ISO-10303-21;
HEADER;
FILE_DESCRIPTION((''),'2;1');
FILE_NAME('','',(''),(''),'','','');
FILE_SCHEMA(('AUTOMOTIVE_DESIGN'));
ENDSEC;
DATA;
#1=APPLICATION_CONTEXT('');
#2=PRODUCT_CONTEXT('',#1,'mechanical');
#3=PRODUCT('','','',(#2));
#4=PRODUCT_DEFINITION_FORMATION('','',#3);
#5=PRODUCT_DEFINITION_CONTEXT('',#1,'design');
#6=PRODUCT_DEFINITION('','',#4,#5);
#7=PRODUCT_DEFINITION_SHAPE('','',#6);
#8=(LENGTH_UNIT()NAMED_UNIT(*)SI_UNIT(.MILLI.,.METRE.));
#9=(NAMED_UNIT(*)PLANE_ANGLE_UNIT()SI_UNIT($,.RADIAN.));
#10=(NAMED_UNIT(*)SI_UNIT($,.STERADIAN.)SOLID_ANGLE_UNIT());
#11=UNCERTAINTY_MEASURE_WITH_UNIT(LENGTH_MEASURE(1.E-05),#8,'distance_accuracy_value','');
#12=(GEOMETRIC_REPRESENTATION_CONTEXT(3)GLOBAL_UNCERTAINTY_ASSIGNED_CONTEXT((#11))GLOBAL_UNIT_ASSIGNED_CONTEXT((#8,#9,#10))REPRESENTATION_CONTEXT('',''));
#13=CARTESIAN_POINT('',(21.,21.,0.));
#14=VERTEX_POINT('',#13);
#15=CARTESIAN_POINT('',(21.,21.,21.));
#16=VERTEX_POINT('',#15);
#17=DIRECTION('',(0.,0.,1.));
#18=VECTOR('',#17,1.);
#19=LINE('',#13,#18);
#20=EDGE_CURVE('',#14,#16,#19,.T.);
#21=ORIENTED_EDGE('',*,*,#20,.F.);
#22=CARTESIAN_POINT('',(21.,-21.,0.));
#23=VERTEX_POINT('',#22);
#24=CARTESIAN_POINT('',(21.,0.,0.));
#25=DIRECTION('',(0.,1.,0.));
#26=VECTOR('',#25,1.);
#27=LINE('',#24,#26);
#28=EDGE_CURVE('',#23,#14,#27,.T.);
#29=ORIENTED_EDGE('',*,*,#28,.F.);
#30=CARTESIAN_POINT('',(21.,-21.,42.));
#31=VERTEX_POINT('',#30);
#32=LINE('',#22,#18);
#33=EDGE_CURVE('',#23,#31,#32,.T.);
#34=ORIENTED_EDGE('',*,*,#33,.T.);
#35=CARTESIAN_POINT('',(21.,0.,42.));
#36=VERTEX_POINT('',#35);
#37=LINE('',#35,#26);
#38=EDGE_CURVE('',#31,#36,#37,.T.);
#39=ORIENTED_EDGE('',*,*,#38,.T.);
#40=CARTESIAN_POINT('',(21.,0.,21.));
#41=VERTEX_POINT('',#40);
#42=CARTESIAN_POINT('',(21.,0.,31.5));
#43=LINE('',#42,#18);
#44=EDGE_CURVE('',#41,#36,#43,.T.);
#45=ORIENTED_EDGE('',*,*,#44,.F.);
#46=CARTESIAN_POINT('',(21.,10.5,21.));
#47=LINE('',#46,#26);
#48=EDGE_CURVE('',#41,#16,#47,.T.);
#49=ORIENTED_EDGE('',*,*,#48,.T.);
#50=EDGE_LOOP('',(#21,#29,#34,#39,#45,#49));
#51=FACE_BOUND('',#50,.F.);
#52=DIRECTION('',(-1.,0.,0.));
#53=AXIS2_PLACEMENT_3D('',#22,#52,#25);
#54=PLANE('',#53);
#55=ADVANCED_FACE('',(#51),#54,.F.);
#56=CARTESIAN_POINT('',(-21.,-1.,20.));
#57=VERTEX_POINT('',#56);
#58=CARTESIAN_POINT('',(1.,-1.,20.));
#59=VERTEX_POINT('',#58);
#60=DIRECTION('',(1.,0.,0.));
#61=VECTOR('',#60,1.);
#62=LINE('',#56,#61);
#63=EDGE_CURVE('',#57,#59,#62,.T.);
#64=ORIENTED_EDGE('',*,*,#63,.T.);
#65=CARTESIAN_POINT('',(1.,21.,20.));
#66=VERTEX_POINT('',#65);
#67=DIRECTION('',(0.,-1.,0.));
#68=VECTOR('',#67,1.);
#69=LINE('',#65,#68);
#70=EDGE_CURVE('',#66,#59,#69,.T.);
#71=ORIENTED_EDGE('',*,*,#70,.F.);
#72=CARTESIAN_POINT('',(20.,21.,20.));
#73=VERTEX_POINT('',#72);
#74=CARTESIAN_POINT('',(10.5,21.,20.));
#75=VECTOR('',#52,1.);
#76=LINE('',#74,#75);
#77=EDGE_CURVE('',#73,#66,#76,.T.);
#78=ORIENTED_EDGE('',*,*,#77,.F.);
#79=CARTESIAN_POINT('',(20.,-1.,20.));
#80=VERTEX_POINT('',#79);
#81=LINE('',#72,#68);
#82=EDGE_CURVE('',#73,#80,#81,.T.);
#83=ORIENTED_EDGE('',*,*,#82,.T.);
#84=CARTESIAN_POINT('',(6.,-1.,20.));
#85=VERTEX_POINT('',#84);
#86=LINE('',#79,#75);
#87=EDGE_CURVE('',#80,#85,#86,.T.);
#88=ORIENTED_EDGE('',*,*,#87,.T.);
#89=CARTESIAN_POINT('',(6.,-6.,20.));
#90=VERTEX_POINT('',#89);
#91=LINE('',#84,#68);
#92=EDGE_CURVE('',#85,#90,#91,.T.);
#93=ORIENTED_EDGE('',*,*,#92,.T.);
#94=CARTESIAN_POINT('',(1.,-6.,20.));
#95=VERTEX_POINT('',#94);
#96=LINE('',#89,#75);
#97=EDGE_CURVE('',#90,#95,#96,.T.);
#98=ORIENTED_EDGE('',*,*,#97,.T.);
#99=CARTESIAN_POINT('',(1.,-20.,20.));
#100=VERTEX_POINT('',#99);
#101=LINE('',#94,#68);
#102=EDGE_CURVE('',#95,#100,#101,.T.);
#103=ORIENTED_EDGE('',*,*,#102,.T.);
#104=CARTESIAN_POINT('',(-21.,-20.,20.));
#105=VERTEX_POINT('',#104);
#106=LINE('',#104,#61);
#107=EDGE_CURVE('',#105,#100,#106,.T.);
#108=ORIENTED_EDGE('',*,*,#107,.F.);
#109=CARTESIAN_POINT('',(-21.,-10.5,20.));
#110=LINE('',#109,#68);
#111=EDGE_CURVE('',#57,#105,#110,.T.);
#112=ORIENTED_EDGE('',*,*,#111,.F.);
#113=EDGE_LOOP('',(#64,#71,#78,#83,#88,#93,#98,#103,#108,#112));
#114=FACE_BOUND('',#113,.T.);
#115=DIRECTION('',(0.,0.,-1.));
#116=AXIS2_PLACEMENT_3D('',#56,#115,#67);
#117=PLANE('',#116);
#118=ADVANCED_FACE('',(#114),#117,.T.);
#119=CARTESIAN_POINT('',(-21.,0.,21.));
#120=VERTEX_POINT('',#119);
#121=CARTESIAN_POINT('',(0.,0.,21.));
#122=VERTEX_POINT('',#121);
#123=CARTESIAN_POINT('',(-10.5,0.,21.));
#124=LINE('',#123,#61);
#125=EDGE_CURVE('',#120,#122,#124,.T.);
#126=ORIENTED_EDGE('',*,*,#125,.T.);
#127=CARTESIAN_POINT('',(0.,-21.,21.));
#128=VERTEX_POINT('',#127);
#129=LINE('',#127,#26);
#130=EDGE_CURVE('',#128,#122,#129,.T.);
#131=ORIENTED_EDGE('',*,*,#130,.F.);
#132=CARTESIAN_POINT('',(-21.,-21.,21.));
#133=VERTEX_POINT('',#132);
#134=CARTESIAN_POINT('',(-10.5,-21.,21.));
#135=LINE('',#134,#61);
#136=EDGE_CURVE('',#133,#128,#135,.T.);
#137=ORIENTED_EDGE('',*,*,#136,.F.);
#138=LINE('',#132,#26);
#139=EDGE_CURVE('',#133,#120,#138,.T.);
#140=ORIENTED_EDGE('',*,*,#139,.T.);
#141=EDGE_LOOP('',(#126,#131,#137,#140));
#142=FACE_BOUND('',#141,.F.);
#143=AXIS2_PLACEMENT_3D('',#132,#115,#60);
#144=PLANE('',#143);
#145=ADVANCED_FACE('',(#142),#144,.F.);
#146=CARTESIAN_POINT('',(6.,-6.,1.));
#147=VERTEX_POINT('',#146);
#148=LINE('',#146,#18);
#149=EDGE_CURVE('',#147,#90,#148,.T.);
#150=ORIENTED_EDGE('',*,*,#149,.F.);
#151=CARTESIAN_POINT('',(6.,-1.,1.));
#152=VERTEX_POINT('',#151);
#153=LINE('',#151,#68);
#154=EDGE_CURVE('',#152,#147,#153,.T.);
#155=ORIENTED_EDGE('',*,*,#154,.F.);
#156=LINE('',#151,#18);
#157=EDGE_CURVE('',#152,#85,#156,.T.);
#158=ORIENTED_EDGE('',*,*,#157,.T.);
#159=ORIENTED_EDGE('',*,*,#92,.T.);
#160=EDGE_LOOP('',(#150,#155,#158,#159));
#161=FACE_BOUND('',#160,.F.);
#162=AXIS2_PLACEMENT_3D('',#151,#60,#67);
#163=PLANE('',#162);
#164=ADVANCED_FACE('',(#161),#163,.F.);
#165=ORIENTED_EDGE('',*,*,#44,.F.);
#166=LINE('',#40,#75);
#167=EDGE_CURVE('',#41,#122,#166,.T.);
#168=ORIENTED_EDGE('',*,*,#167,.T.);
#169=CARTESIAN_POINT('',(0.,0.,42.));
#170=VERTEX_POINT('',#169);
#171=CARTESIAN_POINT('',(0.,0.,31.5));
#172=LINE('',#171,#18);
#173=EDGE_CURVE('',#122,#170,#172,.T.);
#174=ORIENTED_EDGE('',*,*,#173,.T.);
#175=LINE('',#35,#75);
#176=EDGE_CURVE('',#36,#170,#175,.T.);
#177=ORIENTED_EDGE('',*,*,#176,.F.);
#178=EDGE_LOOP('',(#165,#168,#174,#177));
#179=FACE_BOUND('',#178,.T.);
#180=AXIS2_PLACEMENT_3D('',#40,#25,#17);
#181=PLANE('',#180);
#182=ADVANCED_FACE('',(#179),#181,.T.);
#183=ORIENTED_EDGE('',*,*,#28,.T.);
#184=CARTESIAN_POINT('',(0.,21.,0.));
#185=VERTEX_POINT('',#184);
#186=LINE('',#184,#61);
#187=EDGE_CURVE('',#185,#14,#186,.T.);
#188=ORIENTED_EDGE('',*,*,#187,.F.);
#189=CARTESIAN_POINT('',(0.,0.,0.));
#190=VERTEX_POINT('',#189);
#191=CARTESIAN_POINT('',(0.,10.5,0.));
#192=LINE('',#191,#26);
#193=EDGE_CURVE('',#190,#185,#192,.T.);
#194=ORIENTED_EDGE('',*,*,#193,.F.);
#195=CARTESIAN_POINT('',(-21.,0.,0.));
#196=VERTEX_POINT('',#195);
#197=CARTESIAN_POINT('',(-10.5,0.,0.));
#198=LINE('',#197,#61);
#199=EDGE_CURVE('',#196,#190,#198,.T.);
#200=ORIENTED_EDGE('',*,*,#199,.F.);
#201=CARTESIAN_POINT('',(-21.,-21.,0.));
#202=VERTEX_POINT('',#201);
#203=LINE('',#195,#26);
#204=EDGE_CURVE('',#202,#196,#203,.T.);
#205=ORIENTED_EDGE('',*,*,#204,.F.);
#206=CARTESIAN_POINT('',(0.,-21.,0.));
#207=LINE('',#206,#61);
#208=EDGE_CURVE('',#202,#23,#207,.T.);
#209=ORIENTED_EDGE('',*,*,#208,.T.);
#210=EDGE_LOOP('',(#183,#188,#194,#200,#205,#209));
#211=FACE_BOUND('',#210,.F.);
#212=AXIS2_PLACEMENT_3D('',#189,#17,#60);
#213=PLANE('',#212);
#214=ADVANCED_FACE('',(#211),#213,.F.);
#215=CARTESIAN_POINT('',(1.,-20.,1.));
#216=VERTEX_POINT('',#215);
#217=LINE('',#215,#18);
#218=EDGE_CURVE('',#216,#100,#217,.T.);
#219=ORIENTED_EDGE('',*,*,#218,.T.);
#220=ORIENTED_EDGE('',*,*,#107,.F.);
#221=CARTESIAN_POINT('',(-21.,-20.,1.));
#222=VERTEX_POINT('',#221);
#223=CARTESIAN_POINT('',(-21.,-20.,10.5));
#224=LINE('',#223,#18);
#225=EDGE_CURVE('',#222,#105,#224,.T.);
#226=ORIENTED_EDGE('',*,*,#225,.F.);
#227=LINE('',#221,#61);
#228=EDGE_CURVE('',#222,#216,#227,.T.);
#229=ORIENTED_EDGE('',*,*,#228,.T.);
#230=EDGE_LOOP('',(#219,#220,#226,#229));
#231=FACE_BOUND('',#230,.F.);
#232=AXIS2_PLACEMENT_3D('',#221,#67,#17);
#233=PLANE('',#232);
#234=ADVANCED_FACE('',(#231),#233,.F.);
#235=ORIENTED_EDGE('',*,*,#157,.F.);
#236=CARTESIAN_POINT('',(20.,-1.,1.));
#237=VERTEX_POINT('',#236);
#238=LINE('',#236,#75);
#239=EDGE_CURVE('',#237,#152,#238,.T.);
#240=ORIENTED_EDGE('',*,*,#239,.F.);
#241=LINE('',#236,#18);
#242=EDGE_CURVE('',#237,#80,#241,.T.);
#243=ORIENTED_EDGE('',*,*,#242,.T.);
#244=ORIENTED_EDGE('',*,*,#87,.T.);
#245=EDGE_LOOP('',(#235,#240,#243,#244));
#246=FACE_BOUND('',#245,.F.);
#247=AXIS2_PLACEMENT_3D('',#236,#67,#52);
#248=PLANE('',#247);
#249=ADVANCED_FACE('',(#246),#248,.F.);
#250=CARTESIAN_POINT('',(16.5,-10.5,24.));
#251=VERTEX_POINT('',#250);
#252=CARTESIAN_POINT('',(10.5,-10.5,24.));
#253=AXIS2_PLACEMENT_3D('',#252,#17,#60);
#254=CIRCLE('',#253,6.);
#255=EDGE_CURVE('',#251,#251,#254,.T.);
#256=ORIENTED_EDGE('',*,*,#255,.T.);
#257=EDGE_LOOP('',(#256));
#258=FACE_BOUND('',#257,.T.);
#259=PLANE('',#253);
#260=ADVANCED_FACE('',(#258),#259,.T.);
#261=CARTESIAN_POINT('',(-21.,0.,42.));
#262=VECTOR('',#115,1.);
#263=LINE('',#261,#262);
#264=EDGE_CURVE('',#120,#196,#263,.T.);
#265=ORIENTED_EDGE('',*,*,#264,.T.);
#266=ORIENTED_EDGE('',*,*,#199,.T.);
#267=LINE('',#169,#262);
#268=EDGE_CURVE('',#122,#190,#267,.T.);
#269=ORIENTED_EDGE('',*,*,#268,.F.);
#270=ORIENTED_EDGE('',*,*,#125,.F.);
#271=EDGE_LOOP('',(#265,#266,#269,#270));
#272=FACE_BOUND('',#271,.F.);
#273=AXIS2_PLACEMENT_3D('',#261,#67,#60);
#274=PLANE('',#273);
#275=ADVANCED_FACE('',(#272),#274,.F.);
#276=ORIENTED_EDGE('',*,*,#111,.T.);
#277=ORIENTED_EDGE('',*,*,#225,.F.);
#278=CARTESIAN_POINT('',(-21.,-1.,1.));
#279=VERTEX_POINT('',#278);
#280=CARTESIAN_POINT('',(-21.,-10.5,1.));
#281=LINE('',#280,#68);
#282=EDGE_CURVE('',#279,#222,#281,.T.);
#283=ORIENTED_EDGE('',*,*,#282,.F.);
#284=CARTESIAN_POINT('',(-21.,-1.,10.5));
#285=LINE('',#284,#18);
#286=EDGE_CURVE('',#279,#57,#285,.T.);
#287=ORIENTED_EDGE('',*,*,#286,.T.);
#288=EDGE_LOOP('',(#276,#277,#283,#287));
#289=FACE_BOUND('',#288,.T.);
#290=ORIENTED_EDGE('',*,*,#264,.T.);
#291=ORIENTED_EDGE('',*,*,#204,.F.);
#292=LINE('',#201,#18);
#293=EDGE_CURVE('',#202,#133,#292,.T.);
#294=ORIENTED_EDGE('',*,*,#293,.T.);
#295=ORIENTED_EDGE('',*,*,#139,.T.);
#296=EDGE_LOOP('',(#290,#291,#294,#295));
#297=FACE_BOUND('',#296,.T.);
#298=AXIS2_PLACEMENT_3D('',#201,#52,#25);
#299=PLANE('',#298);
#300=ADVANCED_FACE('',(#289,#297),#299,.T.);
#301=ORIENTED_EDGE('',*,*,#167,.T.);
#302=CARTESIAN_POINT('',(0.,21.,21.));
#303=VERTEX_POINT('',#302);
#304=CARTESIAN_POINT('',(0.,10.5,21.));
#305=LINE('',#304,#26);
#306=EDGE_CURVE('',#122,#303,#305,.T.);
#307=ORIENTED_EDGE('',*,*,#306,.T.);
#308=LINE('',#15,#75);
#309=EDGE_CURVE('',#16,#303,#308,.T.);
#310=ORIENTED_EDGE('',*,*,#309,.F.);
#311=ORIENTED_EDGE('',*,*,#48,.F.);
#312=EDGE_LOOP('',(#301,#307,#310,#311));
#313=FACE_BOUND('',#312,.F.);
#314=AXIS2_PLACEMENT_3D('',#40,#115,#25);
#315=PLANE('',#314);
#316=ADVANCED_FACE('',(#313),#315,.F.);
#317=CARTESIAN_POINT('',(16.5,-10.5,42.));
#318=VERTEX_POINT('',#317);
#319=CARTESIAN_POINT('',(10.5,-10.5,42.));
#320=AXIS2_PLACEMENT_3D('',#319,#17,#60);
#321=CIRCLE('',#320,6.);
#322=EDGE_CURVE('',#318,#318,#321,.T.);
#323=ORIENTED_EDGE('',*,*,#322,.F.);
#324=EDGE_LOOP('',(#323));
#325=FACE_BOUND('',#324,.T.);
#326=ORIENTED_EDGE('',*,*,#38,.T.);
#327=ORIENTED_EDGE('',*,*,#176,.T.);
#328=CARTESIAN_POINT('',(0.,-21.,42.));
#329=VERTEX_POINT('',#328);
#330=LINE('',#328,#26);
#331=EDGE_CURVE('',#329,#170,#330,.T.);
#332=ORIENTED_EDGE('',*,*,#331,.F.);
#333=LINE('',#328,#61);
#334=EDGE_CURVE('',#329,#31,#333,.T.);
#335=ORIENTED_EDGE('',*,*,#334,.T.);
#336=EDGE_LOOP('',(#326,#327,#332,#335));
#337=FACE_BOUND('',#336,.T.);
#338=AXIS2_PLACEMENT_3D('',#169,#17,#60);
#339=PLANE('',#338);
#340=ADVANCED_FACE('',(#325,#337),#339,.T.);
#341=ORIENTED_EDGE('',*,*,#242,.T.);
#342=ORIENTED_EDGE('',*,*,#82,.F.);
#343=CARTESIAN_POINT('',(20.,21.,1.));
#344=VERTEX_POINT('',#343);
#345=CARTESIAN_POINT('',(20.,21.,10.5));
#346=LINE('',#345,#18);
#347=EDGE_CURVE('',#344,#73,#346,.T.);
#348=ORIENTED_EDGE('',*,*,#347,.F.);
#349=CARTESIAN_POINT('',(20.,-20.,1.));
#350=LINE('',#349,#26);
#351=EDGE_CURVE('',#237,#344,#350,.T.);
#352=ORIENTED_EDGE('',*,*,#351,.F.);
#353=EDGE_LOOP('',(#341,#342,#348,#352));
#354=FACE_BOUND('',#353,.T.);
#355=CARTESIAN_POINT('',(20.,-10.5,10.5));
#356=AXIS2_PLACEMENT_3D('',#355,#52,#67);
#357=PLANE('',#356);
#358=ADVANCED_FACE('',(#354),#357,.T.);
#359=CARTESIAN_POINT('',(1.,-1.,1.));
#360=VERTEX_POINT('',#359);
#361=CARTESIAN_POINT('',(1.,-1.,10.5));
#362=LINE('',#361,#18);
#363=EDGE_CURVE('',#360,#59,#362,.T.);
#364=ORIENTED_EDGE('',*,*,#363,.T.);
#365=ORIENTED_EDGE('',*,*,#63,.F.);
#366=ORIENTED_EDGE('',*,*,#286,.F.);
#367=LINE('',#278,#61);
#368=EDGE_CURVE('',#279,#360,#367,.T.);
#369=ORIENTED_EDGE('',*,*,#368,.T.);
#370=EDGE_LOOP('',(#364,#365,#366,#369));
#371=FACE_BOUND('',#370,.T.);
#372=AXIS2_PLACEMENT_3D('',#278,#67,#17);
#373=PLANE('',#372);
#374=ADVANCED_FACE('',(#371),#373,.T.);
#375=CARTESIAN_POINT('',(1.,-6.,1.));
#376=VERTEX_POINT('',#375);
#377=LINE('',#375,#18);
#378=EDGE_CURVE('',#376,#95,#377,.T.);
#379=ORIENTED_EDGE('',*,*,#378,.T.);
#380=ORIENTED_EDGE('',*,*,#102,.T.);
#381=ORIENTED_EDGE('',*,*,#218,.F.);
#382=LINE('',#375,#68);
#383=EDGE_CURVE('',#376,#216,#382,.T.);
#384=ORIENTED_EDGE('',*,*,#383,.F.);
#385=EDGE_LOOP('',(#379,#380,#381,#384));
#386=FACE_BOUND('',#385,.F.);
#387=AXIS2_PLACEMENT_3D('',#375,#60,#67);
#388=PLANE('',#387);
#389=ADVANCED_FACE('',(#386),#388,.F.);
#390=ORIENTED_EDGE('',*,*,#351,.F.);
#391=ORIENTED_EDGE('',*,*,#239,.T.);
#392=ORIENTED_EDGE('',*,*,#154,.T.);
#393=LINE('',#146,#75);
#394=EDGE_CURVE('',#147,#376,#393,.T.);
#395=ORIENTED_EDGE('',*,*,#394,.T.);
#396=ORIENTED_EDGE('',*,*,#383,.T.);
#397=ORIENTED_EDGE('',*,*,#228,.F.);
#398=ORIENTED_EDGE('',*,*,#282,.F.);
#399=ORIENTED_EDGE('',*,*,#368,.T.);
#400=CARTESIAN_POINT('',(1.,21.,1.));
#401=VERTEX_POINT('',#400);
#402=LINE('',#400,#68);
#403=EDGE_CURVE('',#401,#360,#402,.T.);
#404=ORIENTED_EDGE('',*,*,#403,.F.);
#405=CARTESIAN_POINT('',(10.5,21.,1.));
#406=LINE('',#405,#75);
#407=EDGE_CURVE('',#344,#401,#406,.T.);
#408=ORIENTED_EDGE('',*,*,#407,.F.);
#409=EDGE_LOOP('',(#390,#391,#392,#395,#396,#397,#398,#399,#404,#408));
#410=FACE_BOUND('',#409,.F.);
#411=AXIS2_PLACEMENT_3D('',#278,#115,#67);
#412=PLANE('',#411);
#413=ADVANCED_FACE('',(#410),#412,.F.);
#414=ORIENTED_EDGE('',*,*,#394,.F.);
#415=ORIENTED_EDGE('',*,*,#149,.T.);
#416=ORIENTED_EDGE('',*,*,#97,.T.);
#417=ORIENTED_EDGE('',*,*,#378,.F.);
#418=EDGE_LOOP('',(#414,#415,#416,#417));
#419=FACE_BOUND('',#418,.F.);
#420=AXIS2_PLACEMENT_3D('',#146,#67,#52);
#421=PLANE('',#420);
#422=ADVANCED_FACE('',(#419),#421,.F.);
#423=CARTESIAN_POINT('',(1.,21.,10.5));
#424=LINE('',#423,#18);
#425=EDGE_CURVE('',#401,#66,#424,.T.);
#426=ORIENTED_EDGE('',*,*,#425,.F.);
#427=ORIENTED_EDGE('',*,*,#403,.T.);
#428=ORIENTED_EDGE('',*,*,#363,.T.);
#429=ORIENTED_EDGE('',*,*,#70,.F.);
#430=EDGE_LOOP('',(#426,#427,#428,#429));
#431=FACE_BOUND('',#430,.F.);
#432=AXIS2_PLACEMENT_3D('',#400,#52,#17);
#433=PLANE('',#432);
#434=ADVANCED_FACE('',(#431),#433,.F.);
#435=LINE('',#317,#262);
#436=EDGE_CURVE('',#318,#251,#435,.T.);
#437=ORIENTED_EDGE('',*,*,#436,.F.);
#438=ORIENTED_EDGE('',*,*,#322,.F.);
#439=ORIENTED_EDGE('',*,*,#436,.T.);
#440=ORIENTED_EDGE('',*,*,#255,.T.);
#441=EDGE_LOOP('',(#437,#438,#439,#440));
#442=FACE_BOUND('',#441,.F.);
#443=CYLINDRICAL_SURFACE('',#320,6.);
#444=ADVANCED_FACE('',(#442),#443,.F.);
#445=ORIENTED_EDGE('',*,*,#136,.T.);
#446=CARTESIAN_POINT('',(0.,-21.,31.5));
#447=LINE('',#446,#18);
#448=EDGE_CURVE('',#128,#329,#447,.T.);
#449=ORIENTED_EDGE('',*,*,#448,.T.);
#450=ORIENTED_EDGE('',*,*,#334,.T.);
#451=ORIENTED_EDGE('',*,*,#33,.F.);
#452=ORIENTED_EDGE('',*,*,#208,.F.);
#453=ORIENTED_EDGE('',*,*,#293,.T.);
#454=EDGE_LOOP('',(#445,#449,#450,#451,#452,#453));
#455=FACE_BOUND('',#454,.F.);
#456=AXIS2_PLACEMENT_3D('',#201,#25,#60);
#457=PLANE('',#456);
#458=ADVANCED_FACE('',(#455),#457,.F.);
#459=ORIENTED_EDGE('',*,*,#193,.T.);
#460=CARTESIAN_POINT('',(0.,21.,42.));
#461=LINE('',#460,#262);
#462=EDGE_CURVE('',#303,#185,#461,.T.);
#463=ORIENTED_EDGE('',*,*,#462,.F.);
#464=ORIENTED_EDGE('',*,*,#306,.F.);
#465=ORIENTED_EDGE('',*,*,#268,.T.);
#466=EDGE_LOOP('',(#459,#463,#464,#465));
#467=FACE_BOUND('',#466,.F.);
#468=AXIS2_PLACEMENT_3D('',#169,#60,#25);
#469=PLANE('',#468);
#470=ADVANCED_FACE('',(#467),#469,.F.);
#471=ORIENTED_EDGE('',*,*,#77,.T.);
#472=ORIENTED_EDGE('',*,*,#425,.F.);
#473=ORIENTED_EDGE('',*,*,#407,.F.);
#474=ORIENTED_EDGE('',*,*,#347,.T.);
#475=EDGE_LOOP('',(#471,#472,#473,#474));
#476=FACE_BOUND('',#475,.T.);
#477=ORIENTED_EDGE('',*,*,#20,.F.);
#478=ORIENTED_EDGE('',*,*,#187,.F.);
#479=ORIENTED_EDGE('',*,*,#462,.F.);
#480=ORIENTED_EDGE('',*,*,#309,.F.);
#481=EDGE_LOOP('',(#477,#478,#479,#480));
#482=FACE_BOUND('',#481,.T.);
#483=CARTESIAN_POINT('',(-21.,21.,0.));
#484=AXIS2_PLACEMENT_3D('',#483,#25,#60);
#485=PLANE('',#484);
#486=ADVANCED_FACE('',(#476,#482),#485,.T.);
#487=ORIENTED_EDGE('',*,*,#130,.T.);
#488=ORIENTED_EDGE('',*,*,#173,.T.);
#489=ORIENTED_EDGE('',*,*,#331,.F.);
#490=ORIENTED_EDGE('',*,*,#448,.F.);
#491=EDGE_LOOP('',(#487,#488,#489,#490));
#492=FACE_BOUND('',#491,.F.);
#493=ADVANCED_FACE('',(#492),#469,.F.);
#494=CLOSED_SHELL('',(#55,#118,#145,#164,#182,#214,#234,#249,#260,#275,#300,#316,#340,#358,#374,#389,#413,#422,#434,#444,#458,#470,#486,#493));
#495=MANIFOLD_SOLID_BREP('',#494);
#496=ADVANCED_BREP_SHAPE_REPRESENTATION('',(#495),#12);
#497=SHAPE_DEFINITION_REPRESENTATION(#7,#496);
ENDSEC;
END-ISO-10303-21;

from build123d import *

# Parameters (mm, degrees)
F0_W      = 42
F0_H      = 42
F1_DEPTH  = 42
F2_W      = 21
F2_H      = 21
F3_DEPTH  = 42
F4_W      = 21
F4_H      = 21
F5_DEPTH  = 21
F6_W      = 21
F6_H      = 21
F7_DEPTH  = 21
F9_W      = 19
F9_H      = 19
F10_DEPTH = 41
F11_W     = 19
F11_H     = 19
F12_DEPTH = 22
F8_R      = 6
F13_DEPTH = 18
F15_DEPTH = 19


with BuildPart() as f1:
    # F0 (on Top) → F1 (new body)
    with BuildSketch(Plane.XY):
        Rectangle(F0_W, F0_H)
    extrude(amount=F1_DEPTH)

    # F2 (on face) → F3 (cut, through all)
    with BuildSketch(Plane.XY.offset(42)):
        with Locations((-10.5, 10.5)):
            Rectangle(F2_W, F2_H)
    extrude(amount=-F3_DEPTH, mode=Mode.SUBTRACT)

    # F4 (on face) → F5 (cut, through all)
    with BuildSketch(Plane.XZ.offset(21)):
        with Locations((-10.5, 31.5)):
            Rectangle(F4_W, F4_H)
    extrude(amount=-F5_DEPTH, mode=Mode.SUBTRACT)

    # F6 (on face) → F7 (cut, through all)
    with BuildSketch(Plane.YZ.offset(21)):
        with Locations((10.5, 31.5)):
            Rectangle(F6_W, F6_H)
    extrude(amount=-F7_DEPTH, mode=Mode.SUBTRACT)

    # F9 (on face) → F10 (cut)
    with BuildSketch(Plane(origin=(-21, 0, 0), x_dir=(0, -1, 0), z_dir=(-1, 0, 0))):
        with Locations((10.5, 10.5)):
            Rectangle(F9_W, F9_H)
    extrude(amount=-F10_DEPTH, mode=Mode.SUBTRACT)

    # F11 (on face) → F12 (cut)
    with BuildSketch(Plane(origin=(0, 21, 0), x_dir=(-1, 0, 0), z_dir=(0, 1, 0))):
        with Locations((-10.5, 10.5)):
            Rectangle(F11_W, F11_H)
    extrude(amount=-F12_DEPTH, mode=Mode.SUBTRACT)

    # F8 (on face) → F13 (cut)
    with BuildSketch(Plane.XY.offset(42)):
        with Locations((10.5, -10.5)):
            Circle(F8_R)
    extrude(amount=-F13_DEPTH, mode=Mode.SUBTRACT)

    # F14 (on face) → F15 (join, through all)
    with BuildSketch(Plane.XY.offset(1)):
        Polygon((20, -1), (6, -1), (6, -6), (1, -6), (1, -20), (20, -20), align=None)
    extrude(amount=F15_DEPTH)


solid = f1.part
